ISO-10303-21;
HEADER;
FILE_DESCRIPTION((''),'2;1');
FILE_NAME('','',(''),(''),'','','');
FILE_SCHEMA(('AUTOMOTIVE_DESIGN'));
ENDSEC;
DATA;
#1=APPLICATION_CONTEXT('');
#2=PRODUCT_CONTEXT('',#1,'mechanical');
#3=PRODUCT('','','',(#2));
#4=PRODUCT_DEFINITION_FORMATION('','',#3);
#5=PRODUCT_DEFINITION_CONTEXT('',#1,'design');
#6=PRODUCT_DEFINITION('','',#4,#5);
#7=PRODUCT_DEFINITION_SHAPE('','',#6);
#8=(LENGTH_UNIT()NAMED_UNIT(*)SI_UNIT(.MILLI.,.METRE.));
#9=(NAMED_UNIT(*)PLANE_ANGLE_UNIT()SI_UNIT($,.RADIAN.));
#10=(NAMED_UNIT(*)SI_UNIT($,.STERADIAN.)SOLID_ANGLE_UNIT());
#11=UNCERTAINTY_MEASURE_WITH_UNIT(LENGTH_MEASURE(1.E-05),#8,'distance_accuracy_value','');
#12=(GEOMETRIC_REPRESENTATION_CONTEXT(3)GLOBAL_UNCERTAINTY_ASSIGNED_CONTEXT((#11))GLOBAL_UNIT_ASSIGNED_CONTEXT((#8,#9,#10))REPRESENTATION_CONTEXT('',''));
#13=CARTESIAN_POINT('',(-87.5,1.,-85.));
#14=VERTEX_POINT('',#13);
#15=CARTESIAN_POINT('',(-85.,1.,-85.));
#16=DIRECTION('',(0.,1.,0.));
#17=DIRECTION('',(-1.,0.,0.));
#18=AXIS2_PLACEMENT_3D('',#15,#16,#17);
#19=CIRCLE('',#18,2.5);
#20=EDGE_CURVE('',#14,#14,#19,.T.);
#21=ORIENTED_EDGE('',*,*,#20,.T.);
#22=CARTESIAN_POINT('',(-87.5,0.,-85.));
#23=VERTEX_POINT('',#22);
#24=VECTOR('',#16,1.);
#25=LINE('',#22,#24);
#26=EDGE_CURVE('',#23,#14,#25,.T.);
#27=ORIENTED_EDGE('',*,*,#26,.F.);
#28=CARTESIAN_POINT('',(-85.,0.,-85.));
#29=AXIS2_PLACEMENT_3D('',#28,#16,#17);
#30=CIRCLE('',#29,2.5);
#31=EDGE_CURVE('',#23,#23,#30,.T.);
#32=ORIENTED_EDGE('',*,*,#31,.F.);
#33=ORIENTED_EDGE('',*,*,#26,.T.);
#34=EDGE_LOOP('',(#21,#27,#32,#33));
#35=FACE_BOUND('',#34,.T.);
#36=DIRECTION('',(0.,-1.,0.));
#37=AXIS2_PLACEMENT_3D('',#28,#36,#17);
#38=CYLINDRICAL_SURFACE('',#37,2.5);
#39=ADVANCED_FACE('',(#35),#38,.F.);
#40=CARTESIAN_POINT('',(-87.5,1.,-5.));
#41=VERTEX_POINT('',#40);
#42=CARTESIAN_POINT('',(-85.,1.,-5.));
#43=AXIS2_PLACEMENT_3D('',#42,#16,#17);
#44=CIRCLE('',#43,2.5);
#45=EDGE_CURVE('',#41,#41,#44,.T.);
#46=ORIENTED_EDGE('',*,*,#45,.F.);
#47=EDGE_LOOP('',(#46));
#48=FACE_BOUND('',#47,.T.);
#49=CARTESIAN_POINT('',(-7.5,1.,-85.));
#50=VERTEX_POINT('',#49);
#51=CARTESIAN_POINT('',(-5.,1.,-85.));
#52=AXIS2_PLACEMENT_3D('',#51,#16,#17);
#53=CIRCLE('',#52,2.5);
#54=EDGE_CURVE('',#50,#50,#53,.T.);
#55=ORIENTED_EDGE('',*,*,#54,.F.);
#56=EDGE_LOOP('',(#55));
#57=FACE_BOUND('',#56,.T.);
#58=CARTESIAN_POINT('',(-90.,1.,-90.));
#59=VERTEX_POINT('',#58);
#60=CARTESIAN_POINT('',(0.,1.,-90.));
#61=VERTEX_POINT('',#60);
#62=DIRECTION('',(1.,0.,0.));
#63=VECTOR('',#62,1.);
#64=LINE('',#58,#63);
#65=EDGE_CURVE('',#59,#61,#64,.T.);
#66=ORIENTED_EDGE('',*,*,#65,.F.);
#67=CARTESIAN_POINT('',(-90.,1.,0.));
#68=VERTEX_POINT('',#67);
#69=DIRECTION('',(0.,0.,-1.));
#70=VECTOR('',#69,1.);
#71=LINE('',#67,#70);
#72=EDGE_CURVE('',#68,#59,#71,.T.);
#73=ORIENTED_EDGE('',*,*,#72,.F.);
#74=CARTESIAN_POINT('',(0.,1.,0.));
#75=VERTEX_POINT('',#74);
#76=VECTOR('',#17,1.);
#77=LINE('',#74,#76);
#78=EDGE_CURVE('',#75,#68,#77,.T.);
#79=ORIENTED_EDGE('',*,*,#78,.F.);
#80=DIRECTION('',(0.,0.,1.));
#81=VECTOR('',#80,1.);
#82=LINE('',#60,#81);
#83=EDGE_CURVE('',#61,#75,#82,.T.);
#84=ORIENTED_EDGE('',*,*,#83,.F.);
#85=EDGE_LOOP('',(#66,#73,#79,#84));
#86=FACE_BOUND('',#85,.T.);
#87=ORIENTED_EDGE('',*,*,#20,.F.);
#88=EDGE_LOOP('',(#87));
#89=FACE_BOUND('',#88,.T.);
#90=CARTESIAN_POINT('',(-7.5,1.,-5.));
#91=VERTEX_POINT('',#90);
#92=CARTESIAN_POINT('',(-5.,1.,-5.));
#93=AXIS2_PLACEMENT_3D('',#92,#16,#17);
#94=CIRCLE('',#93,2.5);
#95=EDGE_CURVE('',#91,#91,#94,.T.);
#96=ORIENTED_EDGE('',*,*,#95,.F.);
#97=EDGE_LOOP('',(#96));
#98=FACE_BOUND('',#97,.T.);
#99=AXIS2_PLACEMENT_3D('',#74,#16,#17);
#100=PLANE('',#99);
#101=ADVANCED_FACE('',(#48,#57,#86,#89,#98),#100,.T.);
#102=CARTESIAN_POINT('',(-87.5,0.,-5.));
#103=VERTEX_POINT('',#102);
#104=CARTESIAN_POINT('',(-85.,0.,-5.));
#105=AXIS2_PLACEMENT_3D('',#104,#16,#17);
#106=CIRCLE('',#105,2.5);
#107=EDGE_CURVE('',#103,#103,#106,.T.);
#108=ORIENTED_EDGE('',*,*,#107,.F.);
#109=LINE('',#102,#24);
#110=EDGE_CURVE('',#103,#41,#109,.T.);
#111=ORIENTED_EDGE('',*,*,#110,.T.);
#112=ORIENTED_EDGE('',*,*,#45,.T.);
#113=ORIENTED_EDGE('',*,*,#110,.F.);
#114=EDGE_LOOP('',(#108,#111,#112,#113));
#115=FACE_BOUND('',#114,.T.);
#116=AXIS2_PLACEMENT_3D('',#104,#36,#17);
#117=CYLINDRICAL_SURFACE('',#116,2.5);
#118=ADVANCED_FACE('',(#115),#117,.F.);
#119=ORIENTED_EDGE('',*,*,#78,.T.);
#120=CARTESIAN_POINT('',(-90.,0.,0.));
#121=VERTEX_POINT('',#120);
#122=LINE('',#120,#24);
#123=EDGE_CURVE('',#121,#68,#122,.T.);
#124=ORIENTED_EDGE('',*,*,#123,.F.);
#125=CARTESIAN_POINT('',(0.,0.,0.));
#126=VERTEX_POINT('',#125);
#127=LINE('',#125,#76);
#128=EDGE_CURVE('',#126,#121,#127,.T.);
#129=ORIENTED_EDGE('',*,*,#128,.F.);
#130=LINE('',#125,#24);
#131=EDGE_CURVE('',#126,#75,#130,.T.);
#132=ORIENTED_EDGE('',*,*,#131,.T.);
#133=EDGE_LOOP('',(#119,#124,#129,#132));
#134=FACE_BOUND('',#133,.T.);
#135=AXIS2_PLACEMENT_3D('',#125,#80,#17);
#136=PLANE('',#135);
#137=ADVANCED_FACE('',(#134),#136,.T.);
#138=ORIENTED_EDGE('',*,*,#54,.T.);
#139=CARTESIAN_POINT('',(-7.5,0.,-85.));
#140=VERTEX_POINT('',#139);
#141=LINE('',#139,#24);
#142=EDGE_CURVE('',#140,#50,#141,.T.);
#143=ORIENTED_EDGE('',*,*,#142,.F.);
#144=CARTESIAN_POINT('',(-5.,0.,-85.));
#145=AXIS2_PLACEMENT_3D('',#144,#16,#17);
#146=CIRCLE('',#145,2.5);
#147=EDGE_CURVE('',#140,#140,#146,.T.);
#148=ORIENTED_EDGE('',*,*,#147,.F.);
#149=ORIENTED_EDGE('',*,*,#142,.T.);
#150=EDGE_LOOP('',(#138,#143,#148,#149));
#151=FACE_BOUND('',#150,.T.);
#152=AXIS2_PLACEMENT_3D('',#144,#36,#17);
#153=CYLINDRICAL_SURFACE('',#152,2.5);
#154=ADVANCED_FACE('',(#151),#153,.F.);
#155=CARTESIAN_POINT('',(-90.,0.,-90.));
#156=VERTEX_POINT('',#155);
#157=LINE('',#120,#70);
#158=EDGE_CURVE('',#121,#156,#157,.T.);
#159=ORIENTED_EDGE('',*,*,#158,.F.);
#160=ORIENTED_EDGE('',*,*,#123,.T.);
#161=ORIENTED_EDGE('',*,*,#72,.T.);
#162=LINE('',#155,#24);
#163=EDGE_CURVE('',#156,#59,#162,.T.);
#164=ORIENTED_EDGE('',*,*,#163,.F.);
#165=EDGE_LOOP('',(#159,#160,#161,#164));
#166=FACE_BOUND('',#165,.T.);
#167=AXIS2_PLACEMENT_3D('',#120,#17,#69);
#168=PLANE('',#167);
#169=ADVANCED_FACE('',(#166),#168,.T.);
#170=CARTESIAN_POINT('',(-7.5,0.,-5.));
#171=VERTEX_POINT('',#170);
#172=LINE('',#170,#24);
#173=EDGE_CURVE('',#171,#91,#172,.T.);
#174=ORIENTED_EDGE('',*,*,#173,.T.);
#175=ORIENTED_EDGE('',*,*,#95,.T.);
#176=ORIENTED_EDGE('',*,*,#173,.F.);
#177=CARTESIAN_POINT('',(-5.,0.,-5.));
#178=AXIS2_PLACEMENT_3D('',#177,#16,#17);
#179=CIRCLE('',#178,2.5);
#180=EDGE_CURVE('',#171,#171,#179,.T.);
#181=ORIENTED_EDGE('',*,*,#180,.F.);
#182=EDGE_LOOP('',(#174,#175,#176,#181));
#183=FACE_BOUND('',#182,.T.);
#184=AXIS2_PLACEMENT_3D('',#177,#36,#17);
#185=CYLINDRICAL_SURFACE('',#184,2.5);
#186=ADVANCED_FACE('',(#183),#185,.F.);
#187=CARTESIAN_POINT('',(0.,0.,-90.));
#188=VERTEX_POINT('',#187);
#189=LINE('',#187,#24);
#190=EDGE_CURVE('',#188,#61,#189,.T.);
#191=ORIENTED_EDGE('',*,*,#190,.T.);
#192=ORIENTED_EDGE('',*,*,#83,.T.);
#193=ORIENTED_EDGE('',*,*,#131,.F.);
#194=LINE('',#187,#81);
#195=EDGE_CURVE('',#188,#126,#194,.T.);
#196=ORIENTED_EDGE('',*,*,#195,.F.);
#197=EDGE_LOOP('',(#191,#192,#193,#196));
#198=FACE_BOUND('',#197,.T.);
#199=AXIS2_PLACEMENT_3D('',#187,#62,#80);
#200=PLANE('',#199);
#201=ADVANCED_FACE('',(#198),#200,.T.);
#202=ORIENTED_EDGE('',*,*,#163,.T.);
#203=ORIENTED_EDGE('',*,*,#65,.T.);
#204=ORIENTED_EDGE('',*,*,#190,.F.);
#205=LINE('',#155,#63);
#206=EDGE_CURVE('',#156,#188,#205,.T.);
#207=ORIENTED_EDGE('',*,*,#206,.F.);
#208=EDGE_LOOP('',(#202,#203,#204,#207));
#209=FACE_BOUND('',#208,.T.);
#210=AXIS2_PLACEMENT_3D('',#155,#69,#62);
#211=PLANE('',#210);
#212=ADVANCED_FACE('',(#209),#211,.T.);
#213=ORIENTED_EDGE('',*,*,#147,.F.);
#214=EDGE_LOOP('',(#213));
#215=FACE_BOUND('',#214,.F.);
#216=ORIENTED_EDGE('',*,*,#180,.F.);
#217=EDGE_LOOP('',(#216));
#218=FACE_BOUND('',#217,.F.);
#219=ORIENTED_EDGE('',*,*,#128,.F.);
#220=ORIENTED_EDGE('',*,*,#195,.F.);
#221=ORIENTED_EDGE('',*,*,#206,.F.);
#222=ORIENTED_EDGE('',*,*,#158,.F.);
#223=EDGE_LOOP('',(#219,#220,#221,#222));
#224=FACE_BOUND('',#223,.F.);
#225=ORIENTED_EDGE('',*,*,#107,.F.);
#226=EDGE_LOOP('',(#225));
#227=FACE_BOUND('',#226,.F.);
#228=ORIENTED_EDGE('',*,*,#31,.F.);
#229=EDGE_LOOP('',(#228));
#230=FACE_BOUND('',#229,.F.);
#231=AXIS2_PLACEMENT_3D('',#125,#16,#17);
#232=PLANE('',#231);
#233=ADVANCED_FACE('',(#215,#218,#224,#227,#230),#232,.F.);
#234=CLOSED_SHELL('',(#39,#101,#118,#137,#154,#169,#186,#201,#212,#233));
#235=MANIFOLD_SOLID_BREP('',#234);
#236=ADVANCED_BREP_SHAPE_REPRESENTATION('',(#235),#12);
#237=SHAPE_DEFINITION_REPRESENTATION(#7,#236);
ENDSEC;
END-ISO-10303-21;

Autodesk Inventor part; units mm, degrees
ref_plane "YZ Plane" through (0, 0, 0) normal (1, 0, 0) x (0, 1, 0)
ref_plane "XZ Plane" through (0, 0, 0) normal (0, 1, 0) x (-1, 0, 0)
ref_plane "XY Plane" through (0, 0, 0) normal (0, 0, 1) x (1, 0, 0)
sketch "Эскиз1" plane through (0, 0, 0) normal (0, 1, 0) x (-1, 0, 0)
  line L0 (0, 0) -> (90, 0)
  line L1 (90, 0) -> (90, -90)
  line L2 (90, -90) -> (0, -90)
  line L3 (0, -90) -> (0, 0)
  circle A0 centre (85, -5) radius 2.5
  circle A1 centre (85, -85) radius 2.5
  circle A2 centre (5, -5) radius 2.5
  circle A3 centre (5, -85) radius 2.5
  dimension "d0" = 90
  dimension "d1" = 90
  dimension "d2" = 5
  dimension "d3" = 5
  dimension "d4" = 5
  dimension "d5" = 5
  dimension "d6" = 80
  dimension "d7" = 5
  dimension "d8" = 5
  dimension "d9" = 5
  dimension "d10" = 5
  dimension "d11" = 5
  dimension "d12" = 5
  dimension "d13" = 5
extrude "Выдавливание1" add sketch "Эскиз1" along normal blind 1
properties part number "площадка"
